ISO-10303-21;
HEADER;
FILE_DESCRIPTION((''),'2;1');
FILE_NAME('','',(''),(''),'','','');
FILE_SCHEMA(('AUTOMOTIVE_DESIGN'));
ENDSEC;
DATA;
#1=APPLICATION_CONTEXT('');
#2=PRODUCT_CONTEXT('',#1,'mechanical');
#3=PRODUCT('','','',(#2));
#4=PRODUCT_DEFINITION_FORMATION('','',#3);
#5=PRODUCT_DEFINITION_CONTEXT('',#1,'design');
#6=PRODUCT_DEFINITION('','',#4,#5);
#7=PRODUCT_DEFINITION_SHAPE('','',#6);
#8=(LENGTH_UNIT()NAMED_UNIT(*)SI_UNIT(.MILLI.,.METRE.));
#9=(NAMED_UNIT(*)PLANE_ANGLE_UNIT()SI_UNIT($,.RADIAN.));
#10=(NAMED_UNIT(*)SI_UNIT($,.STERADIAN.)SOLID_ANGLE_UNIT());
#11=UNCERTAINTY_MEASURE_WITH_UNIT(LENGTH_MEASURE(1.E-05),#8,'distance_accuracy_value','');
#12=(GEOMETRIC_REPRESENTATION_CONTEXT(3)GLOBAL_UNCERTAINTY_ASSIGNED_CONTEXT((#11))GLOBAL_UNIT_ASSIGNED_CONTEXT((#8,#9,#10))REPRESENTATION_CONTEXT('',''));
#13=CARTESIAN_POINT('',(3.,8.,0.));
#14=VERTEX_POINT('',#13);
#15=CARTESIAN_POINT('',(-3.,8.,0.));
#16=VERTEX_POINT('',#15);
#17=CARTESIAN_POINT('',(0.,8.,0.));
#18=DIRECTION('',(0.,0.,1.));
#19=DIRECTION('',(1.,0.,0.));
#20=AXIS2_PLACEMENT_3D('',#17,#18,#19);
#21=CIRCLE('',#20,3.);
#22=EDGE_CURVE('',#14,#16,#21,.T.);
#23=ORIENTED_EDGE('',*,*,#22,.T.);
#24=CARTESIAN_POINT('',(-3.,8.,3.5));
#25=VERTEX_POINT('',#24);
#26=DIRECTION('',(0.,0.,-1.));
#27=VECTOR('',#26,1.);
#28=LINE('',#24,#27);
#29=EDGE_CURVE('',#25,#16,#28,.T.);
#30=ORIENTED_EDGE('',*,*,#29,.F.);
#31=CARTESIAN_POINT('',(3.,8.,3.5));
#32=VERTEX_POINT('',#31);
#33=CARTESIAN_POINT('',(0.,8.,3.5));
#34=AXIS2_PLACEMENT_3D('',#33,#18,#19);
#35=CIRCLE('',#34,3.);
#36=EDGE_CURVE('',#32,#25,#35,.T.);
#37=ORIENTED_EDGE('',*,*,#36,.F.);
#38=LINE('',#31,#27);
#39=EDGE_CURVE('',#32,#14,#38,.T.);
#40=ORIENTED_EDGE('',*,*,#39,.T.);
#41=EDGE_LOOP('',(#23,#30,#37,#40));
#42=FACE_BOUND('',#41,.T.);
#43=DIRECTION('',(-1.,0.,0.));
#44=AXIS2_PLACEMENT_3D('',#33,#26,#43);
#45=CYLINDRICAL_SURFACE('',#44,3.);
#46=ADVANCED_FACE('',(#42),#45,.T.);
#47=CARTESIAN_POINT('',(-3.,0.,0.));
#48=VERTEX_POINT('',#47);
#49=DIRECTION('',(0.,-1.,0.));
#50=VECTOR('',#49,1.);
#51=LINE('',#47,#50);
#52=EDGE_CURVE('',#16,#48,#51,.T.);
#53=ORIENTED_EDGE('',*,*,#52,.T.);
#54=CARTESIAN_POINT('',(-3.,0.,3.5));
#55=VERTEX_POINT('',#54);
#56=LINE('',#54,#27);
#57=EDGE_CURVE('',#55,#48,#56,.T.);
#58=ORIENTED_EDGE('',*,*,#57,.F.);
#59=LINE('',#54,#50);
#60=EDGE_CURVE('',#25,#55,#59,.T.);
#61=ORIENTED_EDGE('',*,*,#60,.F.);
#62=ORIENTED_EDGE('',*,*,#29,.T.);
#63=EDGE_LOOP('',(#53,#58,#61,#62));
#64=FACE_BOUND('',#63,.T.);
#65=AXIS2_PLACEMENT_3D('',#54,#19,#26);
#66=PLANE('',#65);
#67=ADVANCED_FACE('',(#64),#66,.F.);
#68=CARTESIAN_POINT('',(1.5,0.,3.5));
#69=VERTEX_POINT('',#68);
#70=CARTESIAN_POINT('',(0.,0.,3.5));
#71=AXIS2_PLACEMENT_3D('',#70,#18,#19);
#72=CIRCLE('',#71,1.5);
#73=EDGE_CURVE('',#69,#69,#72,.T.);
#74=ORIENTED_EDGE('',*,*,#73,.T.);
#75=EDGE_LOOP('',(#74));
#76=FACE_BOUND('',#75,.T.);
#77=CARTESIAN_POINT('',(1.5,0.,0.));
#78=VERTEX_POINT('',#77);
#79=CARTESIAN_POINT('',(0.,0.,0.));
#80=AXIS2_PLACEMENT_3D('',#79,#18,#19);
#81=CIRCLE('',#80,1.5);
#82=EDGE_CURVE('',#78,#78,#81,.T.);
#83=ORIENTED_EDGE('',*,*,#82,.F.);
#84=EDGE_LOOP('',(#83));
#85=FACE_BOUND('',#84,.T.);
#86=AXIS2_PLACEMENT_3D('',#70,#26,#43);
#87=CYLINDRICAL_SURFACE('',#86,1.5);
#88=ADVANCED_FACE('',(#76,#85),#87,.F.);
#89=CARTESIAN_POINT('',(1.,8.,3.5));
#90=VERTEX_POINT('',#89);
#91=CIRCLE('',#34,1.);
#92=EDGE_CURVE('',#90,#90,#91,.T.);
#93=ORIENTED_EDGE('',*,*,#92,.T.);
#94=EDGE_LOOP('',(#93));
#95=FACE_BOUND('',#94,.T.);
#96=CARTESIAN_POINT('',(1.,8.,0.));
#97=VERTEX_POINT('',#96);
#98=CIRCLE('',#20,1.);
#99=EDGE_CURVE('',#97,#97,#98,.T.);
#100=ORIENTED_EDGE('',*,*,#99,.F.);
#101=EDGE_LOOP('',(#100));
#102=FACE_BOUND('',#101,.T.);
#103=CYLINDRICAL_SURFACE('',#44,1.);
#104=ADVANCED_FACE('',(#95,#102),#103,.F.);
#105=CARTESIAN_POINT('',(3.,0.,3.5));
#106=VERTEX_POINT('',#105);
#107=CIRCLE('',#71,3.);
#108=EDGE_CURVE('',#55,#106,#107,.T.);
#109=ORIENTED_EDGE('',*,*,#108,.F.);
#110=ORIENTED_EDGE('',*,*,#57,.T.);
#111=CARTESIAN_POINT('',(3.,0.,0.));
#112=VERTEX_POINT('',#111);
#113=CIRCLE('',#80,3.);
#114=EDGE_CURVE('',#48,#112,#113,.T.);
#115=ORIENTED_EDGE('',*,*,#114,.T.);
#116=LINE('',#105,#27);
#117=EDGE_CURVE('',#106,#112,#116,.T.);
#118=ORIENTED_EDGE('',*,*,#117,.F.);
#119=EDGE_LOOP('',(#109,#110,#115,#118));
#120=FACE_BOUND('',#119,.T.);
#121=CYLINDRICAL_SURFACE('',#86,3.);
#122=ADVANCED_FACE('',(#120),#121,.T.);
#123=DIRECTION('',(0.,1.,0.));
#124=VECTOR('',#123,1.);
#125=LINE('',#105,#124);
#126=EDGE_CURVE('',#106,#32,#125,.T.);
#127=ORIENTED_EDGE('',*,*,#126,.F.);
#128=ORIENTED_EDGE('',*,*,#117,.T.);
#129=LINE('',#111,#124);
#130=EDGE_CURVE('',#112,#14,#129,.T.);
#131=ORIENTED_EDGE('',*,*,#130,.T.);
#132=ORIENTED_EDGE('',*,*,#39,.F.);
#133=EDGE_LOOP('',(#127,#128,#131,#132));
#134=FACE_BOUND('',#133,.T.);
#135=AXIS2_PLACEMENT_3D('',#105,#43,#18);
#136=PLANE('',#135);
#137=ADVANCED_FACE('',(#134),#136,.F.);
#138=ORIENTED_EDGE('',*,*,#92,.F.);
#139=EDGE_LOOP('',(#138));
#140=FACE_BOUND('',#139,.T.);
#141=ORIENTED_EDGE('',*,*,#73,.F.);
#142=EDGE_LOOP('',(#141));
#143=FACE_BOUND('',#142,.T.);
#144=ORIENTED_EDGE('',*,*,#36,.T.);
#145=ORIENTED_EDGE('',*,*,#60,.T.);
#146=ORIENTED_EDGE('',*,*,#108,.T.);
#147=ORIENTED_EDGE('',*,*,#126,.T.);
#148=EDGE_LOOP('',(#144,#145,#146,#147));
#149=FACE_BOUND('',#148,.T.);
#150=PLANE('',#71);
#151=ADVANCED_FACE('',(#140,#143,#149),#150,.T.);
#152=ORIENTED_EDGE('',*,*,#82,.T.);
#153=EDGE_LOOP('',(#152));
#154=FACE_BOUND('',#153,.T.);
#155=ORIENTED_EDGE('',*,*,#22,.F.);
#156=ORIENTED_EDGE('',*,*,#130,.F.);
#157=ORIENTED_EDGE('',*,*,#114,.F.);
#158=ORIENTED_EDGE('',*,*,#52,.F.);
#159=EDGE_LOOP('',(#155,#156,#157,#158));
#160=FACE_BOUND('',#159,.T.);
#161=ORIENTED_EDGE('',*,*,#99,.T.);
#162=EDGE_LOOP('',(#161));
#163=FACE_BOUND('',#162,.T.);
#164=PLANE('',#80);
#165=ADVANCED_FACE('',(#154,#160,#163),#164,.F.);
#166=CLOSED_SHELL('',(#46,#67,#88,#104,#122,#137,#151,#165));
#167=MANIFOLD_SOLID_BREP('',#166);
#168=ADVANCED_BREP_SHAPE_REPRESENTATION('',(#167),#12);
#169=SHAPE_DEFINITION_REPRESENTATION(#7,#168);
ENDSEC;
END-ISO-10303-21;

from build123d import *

# Parameters (mm, degrees)
SKETCH1_R           = 1.5
SKETCH1_R_2         = 1
BOSS_EXTRUDE1_DEPTH = 3.5


with BuildPart() as part:
    # Sketch1 → Boss-Extrude1 (new body)
    with BuildSketch(Plane.XY):
        with BuildLine():
            Line((-3, 0), (-3, 8))
            ThreePointArc((-3, 8), (0, 11), (3, 8))
            Line((3, 8), (3, 0))
            ThreePointArc((3, 0), (0, -3), (-3, 0))
        make_face()
        Circle(SKETCH1_R, mode=Mode.SUBTRACT)
        with Locations((0, 8)):
            Circle(SKETCH1_R_2, mode=Mode.SUBTRACT)
    extrude(amount=BOSS_EXTRUDE1_DEPTH)


solid = part.part
